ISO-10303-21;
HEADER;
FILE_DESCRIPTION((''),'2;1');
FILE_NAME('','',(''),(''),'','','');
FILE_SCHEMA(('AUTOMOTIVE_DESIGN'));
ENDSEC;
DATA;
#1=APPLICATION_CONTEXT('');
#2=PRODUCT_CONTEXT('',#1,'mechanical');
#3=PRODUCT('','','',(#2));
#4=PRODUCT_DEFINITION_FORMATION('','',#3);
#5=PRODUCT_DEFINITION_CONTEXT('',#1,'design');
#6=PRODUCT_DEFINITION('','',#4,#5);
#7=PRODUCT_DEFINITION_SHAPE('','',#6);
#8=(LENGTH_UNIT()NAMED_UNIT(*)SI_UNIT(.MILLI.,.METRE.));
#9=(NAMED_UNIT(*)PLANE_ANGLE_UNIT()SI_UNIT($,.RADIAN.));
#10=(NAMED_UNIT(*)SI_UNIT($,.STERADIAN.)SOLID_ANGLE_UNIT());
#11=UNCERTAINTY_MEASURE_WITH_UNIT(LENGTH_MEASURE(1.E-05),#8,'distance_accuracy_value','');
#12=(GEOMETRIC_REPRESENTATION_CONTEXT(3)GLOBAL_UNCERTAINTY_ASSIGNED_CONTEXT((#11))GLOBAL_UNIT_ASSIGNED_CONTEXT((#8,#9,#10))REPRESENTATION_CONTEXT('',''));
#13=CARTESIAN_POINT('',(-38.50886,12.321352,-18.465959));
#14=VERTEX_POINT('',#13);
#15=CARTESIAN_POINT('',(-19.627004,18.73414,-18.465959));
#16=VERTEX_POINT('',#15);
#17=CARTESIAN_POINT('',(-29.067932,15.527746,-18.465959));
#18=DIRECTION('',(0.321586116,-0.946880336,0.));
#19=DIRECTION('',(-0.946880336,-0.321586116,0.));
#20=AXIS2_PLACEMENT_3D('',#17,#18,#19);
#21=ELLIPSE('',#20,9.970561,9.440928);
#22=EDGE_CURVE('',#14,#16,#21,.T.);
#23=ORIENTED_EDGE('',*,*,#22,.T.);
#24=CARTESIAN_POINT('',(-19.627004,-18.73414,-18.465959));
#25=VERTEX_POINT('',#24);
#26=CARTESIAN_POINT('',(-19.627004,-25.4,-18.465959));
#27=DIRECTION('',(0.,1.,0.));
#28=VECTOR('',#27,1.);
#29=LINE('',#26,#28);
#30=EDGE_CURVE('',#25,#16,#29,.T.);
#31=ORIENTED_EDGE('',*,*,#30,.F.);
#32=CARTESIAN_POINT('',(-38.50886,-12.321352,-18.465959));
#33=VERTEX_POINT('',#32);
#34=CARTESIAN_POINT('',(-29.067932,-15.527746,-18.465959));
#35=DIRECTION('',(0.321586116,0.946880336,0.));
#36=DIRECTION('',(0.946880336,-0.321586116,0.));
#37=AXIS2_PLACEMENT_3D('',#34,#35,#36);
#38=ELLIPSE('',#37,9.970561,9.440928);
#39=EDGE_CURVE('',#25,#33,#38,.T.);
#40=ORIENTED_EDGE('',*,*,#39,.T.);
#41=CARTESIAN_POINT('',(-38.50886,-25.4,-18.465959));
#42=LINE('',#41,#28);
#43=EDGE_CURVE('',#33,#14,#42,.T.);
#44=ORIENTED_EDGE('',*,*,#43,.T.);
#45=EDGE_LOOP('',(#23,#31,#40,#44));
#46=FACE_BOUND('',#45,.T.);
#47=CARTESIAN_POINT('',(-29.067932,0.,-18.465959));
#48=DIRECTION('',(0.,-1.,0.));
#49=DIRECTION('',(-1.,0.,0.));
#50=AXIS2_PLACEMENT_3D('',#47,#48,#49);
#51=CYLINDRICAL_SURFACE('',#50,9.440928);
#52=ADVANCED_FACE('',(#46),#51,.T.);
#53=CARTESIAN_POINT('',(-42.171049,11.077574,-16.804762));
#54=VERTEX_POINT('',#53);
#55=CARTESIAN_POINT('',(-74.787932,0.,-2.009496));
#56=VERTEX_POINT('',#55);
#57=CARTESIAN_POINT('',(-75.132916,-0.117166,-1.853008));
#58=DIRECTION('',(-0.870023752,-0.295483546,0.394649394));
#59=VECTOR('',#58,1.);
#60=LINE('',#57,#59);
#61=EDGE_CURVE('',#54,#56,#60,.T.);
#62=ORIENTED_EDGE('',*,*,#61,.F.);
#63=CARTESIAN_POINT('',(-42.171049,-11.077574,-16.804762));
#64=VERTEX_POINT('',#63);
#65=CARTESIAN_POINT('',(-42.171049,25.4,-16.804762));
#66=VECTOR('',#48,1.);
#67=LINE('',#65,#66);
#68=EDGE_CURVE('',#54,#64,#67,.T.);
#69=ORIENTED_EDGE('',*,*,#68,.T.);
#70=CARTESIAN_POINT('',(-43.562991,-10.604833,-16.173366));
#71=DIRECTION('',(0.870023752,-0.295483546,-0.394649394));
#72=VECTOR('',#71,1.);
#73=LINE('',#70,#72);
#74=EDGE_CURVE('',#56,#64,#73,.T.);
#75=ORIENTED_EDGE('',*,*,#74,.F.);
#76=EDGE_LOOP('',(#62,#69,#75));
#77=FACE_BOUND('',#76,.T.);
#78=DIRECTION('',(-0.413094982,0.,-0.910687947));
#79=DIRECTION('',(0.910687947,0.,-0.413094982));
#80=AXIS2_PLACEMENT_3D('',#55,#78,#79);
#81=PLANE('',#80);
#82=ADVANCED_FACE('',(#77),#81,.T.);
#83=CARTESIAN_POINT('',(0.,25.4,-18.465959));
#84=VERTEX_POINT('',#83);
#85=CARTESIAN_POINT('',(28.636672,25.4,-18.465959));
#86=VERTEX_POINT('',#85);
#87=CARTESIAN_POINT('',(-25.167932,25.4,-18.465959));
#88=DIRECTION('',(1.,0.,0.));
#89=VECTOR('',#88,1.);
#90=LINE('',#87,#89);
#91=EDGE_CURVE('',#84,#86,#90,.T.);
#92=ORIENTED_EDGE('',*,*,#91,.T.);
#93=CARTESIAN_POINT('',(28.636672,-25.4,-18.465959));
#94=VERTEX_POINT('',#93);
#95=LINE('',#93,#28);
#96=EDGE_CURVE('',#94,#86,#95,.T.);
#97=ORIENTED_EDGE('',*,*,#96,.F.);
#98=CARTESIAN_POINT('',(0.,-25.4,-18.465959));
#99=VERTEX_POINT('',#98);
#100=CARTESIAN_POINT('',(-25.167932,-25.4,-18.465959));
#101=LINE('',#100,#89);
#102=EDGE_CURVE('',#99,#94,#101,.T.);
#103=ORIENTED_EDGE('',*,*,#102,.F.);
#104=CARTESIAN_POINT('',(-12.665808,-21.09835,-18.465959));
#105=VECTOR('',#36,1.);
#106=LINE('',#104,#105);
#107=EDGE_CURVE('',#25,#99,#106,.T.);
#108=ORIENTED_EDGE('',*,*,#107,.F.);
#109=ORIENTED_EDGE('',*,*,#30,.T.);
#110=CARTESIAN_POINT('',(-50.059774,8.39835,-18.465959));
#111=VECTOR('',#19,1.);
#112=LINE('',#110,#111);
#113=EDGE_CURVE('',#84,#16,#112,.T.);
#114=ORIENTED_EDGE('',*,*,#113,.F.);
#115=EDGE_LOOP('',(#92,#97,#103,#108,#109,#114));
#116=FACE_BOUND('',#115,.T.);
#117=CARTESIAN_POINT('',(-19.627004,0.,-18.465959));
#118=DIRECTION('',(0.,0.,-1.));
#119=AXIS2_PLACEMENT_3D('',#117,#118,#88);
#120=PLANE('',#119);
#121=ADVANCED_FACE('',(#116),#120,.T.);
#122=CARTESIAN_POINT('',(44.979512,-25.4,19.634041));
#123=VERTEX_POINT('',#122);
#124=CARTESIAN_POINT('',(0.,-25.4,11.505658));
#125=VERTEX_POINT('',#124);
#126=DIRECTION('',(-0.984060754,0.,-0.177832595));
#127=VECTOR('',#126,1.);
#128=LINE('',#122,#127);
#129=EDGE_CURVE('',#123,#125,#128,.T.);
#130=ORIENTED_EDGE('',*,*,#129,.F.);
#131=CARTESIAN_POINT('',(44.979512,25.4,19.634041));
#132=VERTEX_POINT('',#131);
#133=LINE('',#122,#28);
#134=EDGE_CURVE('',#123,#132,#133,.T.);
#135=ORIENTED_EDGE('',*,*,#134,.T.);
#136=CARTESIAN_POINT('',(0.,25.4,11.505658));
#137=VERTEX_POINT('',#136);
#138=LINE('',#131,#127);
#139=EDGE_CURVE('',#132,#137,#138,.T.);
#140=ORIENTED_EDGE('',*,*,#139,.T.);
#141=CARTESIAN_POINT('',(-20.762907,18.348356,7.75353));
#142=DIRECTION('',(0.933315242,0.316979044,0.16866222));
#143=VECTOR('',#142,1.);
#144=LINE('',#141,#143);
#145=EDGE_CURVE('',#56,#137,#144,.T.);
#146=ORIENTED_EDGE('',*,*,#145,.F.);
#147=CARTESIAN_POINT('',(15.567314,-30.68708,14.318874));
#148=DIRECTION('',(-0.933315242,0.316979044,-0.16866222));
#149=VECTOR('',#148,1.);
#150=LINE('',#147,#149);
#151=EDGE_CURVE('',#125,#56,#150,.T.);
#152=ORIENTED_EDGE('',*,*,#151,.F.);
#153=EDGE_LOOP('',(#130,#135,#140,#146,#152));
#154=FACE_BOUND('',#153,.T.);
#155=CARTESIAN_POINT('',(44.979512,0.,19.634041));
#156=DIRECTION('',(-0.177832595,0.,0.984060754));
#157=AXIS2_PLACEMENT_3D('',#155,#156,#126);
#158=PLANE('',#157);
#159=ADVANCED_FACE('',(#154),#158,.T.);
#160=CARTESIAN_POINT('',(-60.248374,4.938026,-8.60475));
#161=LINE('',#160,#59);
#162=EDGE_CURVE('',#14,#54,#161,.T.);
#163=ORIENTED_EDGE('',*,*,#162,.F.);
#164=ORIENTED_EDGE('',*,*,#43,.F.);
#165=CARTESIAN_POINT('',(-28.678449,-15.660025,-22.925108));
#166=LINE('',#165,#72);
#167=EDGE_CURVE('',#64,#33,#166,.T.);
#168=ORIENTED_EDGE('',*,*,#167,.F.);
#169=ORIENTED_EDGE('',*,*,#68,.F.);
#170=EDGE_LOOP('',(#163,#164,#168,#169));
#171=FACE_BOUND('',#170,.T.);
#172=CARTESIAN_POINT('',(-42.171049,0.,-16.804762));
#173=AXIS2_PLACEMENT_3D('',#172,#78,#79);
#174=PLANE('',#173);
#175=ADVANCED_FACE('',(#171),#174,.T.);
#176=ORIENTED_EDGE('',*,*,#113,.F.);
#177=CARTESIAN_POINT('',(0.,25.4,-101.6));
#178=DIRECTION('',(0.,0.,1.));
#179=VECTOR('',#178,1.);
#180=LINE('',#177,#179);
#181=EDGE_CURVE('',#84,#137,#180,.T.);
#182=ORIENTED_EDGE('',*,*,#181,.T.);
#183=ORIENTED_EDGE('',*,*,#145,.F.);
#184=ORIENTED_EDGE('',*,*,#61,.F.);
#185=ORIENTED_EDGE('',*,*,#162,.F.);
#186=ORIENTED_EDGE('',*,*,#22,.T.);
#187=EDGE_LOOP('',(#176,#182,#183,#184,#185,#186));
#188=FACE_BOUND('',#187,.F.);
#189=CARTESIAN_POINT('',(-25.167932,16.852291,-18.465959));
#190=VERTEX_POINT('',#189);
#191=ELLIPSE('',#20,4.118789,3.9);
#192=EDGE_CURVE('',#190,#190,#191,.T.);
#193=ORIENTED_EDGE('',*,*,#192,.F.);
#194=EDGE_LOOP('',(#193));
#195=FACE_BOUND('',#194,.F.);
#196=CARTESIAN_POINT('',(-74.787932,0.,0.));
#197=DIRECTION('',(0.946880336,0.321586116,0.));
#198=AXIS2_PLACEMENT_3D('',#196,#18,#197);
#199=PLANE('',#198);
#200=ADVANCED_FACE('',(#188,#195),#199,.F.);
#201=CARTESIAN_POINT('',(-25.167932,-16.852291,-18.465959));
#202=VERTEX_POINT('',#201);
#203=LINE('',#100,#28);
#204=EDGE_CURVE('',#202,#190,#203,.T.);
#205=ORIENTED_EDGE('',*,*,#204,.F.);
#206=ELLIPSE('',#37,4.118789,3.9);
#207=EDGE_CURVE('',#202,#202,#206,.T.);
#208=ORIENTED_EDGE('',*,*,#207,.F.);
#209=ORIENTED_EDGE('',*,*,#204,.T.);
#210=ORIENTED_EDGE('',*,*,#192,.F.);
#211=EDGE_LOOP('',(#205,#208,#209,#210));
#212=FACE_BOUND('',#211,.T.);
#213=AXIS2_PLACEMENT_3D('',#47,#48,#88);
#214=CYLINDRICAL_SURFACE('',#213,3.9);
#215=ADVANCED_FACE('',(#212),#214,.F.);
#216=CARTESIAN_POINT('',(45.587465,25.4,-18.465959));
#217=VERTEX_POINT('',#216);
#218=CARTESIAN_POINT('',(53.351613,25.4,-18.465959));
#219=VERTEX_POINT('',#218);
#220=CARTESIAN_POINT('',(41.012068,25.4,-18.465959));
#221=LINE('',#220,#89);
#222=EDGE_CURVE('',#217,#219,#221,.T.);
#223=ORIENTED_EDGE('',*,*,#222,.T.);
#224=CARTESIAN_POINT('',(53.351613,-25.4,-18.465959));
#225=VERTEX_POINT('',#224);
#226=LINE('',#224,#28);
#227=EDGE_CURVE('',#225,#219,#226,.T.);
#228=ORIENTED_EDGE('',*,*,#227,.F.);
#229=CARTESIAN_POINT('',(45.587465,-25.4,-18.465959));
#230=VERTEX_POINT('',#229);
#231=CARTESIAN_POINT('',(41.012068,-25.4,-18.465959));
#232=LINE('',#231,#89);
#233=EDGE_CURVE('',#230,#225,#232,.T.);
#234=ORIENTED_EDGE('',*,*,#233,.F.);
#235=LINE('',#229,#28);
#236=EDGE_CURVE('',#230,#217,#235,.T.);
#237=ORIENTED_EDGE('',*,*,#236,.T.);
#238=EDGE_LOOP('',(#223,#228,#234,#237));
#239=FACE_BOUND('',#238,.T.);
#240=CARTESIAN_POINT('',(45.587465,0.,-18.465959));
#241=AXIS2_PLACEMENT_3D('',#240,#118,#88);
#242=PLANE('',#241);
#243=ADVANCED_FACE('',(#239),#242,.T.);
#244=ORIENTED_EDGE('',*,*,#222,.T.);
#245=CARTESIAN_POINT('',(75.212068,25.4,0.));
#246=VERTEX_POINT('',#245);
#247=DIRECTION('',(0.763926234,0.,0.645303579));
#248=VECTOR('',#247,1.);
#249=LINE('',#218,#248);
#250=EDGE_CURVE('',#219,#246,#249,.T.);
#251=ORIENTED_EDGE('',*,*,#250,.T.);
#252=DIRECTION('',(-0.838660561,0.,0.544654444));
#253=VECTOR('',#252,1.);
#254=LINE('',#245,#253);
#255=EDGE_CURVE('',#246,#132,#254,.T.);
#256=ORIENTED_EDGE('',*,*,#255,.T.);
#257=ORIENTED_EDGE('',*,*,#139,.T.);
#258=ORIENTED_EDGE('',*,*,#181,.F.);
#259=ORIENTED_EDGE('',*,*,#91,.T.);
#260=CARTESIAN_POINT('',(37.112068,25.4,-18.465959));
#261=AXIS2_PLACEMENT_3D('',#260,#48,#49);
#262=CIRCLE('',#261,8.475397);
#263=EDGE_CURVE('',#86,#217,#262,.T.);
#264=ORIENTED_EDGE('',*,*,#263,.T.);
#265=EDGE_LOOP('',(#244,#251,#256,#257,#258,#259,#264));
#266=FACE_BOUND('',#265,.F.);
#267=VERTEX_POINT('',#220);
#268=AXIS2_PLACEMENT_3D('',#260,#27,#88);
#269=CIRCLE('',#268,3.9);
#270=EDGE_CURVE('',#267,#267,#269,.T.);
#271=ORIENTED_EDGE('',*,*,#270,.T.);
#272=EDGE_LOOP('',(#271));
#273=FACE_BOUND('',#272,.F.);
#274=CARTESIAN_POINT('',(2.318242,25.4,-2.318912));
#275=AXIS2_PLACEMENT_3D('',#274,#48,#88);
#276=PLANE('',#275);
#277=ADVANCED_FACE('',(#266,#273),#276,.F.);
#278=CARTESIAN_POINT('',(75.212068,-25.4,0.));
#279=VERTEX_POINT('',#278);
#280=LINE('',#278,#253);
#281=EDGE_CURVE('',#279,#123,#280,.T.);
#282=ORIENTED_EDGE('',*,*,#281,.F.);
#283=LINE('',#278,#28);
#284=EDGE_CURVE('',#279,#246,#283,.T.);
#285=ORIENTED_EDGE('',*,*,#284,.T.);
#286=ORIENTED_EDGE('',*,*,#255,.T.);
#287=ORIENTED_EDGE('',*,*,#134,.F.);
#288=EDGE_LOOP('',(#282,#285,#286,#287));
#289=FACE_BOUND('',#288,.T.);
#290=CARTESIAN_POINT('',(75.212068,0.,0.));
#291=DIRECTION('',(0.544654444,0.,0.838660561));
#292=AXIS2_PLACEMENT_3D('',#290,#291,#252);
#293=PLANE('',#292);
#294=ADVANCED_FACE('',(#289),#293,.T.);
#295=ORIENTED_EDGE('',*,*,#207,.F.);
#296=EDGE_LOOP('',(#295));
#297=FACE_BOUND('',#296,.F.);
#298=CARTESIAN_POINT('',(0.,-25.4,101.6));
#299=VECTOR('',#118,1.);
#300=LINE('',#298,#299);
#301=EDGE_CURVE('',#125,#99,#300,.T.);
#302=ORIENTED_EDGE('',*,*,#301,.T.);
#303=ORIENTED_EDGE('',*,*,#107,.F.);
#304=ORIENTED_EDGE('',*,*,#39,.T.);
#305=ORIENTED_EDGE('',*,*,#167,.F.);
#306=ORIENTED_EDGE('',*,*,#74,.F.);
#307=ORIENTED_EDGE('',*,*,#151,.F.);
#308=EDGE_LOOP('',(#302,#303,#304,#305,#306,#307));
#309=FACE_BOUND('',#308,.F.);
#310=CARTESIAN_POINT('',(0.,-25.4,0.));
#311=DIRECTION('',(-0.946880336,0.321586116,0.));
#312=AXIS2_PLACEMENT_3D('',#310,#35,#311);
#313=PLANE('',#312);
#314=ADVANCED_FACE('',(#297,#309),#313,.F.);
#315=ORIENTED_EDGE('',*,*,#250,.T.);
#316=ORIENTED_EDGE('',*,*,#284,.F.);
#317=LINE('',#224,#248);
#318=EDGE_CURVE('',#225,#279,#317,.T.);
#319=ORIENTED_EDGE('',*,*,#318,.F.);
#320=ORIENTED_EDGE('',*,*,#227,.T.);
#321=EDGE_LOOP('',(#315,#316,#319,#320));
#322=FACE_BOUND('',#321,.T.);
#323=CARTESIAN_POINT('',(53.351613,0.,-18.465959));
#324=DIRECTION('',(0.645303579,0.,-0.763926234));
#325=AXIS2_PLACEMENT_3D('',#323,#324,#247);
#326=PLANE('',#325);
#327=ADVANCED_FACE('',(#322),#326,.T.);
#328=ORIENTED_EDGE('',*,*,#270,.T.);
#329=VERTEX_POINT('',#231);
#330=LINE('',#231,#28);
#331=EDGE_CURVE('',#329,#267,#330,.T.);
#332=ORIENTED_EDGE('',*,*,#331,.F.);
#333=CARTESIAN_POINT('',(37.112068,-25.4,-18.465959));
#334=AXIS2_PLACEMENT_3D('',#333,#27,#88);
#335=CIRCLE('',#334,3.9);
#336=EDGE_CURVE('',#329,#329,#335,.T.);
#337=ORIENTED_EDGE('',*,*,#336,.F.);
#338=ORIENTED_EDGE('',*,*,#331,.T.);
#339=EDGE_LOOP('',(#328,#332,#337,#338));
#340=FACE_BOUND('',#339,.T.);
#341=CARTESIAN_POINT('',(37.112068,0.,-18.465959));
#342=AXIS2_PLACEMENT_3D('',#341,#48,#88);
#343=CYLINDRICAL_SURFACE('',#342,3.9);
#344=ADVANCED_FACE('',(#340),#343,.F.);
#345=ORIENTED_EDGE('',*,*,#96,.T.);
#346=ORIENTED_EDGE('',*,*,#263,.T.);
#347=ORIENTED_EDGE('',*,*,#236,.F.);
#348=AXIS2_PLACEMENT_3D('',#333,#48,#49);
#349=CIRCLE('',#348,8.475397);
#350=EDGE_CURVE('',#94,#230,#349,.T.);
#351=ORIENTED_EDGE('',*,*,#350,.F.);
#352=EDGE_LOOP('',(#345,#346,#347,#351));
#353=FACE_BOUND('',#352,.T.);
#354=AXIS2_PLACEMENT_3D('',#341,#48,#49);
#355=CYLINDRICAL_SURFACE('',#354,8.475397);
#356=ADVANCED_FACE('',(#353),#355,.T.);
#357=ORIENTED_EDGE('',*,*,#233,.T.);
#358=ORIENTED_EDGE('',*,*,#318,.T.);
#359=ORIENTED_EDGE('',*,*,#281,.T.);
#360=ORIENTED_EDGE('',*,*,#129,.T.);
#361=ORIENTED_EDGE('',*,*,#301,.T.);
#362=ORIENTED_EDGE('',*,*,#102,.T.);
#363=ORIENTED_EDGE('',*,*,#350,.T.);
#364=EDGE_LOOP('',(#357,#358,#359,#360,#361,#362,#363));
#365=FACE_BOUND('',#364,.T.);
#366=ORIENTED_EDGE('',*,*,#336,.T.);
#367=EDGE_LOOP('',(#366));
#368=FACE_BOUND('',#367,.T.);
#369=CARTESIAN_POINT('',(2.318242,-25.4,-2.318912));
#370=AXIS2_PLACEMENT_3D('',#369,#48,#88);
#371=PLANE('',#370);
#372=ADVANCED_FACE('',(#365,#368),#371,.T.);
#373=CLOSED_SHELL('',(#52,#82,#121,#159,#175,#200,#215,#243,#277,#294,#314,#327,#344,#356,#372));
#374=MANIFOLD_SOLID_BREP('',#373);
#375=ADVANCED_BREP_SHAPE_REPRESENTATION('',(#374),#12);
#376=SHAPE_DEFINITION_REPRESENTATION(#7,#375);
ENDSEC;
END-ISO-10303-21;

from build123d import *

# Parameters (mm, degrees)
F1_DEPTH = 25.4
F2_DEPTH = 12.7
F4_DEPTH = 101.6


with BuildPart() as f1:
    # F0 (on Front) → F1 (new body, symmetric)
    with BuildSketch(Plane.XZ):
        with BuildLine():
            Line((44.9795118183, 19.6340414269), (-74.7879317753, -2.009495511))
            Line((-74.7879317753, -2.009495511), (-42.1710492869, -16.8047615714))
            ThreePointArc((-42.1710492869, -16.8047615714), (-28.2356794376, -5.2842052737), (-15.8599317753, -18.4659585731))
            Line((-15.8599317753, -18.4659585731), (23.9040682247, -18.4659585731))
            ThreePointArc((23.9040682247, -18.4659585731), (37.1120682247, -5.2579585731), (50.3200682247, -18.4659585731))
            Line((50.3200682247, -18.4659585731), (53.351612715, -18.4659585731))
            Line((53.351612715, -18.4659585731), (75.2120682247, 0))
            Line((75.2120682247, 0), (44.9795118183, 19.6340414269))
        make_face()
        with BuildLine():
            ThreePointArc((50.3200682247, -18.4659585731), (37.1120682247, -5.2579585731), (23.9040682247, -18.4659585731))
            Line((23.9040682247, -18.4659585731), (28.6366716027, -18.4659585731))
            Line((28.6366716027, -18.4659585731), (33.2120682247, -18.4659585731))
            ThreePointArc((33.2120682247, -18.4659585731), (37.1120682247, -14.5659585731), (41.0120682247, -18.4659585731))
            Line((41.0120682247, -18.4659585731), (45.5874648466, -18.4659585731))
            Line((45.5874648466, -18.4659585731), (50.3200682247, -18.4659585731))
        make_face()
        with BuildLine():
            ThreePointArc((-15.8599317753, -18.4659585731), (-28.2356794376, -5.2842052737), (-42.1710492869, -16.8047615714))
            Line((-42.1710492869, -16.8047615714), (-38.5088598291, -18.4659585731))
            Line((-38.5088598291, -18.4659585731), (-32.9679317753, -18.4659585731))
            ThreePointArc((-32.9679317753, -18.4659585731), (-29.0679317753, -14.5659585731), (-25.1679317753, -18.4659585731))
            Line((-25.1679317753, -18.4659585731), (-19.6270037216, -18.4659585731))
            Line((-19.6270037216, -18.4659585731), (-15.8599317753, -18.4659585731))
        make_face()
        with BuildLine():
            Line((-32.9679317753, -18.4659585731), (-38.5088598291, -18.4659585731))
            ThreePointArc((-38.5088598291, -18.4659585731), (-29.0679317753, -27.9068866268), (-19.6270037216, -18.4659585731))
            Line((-19.6270037216, -18.4659585731), (-25.1679317753, -18.4659585731))
            ThreePointArc((-25.1679317753, -18.4659585731), (-29.0679317753, -22.3659585731), (-32.9679317753, -18.4659585731))
        make_face()
        with BuildLine():
            Line((33.2120682247, -18.4659585731), (28.6366716027, -18.4659585731))
            ThreePointArc((28.6366716027, -18.4659585731), (37.1120682247, -26.941355195), (45.5874648466, -18.4659585731))
            Line((45.5874648466, -18.4659585731), (41.0120682247, -18.4659585731))
            ThreePointArc((41.0120682247, -18.4659585731), (37.1120682247, -22.3659585731), (33.2120682247, -18.4659585731))
        make_face()
    extrude(amount=F1_DEPTH, both=True)

    # F0 (on Front) → F2 (join, symmetric)
    with BuildSketch(Plane.XZ):
        with BuildLine():
            ThreePointArc((-15.8599317753, -18.4659585731), (-28.2356794376, -5.2842052737), (-42.1710492869, -16.8047615714))
            Line((-42.1710492869, -16.8047615714), (-38.5088598291, -18.4659585731))
            Line((-38.5088598291, -18.4659585731), (-32.9679317753, -18.4659585731))
            ThreePointArc((-32.9679317753, -18.4659585731), (-29.0679317753, -14.5659585731), (-25.1679317753, -18.4659585731))
            Line((-25.1679317753, -18.4659585731), (-19.6270037216, -18.4659585731))
            Line((-19.6270037216, -18.4659585731), (-15.8599317753, -18.4659585731))
        make_face()
        with BuildLine():
            ThreePointArc((50.3200682247, -18.4659585731), (37.1120682247, -5.2579585731), (23.9040682247, -18.4659585731))
            Line((23.9040682247, -18.4659585731), (28.6366716027, -18.4659585731))
            Line((28.6366716027, -18.4659585731), (33.2120682247, -18.4659585731))
            ThreePointArc((33.2120682247, -18.4659585731), (37.1120682247, -14.5659585731), (41.0120682247, -18.4659585731))
            Line((41.0120682247, -18.4659585731), (45.5874648466, -18.4659585731))
            Line((45.5874648466, -18.4659585731), (50.3200682247, -18.4659585731))
        make_face()
    extrude(amount=F2_DEPTH, both=True)

    # F3 (on Top) → F4 (cut, symmetric)
    with BuildSketch(Plane.XY):
        Polygon((0, -25.4), (-74.7879317753, 0), (0, 25.4), (0, 56.2246665359), (-99.1614311934, 56.2246665359), (-99.1614311934, -55.5053986609), (0, -55.5053986609), align=None)
    extrude(amount=F4_DEPTH, both=True, mode=Mode.SUBTRACT)


solid = f1.part
